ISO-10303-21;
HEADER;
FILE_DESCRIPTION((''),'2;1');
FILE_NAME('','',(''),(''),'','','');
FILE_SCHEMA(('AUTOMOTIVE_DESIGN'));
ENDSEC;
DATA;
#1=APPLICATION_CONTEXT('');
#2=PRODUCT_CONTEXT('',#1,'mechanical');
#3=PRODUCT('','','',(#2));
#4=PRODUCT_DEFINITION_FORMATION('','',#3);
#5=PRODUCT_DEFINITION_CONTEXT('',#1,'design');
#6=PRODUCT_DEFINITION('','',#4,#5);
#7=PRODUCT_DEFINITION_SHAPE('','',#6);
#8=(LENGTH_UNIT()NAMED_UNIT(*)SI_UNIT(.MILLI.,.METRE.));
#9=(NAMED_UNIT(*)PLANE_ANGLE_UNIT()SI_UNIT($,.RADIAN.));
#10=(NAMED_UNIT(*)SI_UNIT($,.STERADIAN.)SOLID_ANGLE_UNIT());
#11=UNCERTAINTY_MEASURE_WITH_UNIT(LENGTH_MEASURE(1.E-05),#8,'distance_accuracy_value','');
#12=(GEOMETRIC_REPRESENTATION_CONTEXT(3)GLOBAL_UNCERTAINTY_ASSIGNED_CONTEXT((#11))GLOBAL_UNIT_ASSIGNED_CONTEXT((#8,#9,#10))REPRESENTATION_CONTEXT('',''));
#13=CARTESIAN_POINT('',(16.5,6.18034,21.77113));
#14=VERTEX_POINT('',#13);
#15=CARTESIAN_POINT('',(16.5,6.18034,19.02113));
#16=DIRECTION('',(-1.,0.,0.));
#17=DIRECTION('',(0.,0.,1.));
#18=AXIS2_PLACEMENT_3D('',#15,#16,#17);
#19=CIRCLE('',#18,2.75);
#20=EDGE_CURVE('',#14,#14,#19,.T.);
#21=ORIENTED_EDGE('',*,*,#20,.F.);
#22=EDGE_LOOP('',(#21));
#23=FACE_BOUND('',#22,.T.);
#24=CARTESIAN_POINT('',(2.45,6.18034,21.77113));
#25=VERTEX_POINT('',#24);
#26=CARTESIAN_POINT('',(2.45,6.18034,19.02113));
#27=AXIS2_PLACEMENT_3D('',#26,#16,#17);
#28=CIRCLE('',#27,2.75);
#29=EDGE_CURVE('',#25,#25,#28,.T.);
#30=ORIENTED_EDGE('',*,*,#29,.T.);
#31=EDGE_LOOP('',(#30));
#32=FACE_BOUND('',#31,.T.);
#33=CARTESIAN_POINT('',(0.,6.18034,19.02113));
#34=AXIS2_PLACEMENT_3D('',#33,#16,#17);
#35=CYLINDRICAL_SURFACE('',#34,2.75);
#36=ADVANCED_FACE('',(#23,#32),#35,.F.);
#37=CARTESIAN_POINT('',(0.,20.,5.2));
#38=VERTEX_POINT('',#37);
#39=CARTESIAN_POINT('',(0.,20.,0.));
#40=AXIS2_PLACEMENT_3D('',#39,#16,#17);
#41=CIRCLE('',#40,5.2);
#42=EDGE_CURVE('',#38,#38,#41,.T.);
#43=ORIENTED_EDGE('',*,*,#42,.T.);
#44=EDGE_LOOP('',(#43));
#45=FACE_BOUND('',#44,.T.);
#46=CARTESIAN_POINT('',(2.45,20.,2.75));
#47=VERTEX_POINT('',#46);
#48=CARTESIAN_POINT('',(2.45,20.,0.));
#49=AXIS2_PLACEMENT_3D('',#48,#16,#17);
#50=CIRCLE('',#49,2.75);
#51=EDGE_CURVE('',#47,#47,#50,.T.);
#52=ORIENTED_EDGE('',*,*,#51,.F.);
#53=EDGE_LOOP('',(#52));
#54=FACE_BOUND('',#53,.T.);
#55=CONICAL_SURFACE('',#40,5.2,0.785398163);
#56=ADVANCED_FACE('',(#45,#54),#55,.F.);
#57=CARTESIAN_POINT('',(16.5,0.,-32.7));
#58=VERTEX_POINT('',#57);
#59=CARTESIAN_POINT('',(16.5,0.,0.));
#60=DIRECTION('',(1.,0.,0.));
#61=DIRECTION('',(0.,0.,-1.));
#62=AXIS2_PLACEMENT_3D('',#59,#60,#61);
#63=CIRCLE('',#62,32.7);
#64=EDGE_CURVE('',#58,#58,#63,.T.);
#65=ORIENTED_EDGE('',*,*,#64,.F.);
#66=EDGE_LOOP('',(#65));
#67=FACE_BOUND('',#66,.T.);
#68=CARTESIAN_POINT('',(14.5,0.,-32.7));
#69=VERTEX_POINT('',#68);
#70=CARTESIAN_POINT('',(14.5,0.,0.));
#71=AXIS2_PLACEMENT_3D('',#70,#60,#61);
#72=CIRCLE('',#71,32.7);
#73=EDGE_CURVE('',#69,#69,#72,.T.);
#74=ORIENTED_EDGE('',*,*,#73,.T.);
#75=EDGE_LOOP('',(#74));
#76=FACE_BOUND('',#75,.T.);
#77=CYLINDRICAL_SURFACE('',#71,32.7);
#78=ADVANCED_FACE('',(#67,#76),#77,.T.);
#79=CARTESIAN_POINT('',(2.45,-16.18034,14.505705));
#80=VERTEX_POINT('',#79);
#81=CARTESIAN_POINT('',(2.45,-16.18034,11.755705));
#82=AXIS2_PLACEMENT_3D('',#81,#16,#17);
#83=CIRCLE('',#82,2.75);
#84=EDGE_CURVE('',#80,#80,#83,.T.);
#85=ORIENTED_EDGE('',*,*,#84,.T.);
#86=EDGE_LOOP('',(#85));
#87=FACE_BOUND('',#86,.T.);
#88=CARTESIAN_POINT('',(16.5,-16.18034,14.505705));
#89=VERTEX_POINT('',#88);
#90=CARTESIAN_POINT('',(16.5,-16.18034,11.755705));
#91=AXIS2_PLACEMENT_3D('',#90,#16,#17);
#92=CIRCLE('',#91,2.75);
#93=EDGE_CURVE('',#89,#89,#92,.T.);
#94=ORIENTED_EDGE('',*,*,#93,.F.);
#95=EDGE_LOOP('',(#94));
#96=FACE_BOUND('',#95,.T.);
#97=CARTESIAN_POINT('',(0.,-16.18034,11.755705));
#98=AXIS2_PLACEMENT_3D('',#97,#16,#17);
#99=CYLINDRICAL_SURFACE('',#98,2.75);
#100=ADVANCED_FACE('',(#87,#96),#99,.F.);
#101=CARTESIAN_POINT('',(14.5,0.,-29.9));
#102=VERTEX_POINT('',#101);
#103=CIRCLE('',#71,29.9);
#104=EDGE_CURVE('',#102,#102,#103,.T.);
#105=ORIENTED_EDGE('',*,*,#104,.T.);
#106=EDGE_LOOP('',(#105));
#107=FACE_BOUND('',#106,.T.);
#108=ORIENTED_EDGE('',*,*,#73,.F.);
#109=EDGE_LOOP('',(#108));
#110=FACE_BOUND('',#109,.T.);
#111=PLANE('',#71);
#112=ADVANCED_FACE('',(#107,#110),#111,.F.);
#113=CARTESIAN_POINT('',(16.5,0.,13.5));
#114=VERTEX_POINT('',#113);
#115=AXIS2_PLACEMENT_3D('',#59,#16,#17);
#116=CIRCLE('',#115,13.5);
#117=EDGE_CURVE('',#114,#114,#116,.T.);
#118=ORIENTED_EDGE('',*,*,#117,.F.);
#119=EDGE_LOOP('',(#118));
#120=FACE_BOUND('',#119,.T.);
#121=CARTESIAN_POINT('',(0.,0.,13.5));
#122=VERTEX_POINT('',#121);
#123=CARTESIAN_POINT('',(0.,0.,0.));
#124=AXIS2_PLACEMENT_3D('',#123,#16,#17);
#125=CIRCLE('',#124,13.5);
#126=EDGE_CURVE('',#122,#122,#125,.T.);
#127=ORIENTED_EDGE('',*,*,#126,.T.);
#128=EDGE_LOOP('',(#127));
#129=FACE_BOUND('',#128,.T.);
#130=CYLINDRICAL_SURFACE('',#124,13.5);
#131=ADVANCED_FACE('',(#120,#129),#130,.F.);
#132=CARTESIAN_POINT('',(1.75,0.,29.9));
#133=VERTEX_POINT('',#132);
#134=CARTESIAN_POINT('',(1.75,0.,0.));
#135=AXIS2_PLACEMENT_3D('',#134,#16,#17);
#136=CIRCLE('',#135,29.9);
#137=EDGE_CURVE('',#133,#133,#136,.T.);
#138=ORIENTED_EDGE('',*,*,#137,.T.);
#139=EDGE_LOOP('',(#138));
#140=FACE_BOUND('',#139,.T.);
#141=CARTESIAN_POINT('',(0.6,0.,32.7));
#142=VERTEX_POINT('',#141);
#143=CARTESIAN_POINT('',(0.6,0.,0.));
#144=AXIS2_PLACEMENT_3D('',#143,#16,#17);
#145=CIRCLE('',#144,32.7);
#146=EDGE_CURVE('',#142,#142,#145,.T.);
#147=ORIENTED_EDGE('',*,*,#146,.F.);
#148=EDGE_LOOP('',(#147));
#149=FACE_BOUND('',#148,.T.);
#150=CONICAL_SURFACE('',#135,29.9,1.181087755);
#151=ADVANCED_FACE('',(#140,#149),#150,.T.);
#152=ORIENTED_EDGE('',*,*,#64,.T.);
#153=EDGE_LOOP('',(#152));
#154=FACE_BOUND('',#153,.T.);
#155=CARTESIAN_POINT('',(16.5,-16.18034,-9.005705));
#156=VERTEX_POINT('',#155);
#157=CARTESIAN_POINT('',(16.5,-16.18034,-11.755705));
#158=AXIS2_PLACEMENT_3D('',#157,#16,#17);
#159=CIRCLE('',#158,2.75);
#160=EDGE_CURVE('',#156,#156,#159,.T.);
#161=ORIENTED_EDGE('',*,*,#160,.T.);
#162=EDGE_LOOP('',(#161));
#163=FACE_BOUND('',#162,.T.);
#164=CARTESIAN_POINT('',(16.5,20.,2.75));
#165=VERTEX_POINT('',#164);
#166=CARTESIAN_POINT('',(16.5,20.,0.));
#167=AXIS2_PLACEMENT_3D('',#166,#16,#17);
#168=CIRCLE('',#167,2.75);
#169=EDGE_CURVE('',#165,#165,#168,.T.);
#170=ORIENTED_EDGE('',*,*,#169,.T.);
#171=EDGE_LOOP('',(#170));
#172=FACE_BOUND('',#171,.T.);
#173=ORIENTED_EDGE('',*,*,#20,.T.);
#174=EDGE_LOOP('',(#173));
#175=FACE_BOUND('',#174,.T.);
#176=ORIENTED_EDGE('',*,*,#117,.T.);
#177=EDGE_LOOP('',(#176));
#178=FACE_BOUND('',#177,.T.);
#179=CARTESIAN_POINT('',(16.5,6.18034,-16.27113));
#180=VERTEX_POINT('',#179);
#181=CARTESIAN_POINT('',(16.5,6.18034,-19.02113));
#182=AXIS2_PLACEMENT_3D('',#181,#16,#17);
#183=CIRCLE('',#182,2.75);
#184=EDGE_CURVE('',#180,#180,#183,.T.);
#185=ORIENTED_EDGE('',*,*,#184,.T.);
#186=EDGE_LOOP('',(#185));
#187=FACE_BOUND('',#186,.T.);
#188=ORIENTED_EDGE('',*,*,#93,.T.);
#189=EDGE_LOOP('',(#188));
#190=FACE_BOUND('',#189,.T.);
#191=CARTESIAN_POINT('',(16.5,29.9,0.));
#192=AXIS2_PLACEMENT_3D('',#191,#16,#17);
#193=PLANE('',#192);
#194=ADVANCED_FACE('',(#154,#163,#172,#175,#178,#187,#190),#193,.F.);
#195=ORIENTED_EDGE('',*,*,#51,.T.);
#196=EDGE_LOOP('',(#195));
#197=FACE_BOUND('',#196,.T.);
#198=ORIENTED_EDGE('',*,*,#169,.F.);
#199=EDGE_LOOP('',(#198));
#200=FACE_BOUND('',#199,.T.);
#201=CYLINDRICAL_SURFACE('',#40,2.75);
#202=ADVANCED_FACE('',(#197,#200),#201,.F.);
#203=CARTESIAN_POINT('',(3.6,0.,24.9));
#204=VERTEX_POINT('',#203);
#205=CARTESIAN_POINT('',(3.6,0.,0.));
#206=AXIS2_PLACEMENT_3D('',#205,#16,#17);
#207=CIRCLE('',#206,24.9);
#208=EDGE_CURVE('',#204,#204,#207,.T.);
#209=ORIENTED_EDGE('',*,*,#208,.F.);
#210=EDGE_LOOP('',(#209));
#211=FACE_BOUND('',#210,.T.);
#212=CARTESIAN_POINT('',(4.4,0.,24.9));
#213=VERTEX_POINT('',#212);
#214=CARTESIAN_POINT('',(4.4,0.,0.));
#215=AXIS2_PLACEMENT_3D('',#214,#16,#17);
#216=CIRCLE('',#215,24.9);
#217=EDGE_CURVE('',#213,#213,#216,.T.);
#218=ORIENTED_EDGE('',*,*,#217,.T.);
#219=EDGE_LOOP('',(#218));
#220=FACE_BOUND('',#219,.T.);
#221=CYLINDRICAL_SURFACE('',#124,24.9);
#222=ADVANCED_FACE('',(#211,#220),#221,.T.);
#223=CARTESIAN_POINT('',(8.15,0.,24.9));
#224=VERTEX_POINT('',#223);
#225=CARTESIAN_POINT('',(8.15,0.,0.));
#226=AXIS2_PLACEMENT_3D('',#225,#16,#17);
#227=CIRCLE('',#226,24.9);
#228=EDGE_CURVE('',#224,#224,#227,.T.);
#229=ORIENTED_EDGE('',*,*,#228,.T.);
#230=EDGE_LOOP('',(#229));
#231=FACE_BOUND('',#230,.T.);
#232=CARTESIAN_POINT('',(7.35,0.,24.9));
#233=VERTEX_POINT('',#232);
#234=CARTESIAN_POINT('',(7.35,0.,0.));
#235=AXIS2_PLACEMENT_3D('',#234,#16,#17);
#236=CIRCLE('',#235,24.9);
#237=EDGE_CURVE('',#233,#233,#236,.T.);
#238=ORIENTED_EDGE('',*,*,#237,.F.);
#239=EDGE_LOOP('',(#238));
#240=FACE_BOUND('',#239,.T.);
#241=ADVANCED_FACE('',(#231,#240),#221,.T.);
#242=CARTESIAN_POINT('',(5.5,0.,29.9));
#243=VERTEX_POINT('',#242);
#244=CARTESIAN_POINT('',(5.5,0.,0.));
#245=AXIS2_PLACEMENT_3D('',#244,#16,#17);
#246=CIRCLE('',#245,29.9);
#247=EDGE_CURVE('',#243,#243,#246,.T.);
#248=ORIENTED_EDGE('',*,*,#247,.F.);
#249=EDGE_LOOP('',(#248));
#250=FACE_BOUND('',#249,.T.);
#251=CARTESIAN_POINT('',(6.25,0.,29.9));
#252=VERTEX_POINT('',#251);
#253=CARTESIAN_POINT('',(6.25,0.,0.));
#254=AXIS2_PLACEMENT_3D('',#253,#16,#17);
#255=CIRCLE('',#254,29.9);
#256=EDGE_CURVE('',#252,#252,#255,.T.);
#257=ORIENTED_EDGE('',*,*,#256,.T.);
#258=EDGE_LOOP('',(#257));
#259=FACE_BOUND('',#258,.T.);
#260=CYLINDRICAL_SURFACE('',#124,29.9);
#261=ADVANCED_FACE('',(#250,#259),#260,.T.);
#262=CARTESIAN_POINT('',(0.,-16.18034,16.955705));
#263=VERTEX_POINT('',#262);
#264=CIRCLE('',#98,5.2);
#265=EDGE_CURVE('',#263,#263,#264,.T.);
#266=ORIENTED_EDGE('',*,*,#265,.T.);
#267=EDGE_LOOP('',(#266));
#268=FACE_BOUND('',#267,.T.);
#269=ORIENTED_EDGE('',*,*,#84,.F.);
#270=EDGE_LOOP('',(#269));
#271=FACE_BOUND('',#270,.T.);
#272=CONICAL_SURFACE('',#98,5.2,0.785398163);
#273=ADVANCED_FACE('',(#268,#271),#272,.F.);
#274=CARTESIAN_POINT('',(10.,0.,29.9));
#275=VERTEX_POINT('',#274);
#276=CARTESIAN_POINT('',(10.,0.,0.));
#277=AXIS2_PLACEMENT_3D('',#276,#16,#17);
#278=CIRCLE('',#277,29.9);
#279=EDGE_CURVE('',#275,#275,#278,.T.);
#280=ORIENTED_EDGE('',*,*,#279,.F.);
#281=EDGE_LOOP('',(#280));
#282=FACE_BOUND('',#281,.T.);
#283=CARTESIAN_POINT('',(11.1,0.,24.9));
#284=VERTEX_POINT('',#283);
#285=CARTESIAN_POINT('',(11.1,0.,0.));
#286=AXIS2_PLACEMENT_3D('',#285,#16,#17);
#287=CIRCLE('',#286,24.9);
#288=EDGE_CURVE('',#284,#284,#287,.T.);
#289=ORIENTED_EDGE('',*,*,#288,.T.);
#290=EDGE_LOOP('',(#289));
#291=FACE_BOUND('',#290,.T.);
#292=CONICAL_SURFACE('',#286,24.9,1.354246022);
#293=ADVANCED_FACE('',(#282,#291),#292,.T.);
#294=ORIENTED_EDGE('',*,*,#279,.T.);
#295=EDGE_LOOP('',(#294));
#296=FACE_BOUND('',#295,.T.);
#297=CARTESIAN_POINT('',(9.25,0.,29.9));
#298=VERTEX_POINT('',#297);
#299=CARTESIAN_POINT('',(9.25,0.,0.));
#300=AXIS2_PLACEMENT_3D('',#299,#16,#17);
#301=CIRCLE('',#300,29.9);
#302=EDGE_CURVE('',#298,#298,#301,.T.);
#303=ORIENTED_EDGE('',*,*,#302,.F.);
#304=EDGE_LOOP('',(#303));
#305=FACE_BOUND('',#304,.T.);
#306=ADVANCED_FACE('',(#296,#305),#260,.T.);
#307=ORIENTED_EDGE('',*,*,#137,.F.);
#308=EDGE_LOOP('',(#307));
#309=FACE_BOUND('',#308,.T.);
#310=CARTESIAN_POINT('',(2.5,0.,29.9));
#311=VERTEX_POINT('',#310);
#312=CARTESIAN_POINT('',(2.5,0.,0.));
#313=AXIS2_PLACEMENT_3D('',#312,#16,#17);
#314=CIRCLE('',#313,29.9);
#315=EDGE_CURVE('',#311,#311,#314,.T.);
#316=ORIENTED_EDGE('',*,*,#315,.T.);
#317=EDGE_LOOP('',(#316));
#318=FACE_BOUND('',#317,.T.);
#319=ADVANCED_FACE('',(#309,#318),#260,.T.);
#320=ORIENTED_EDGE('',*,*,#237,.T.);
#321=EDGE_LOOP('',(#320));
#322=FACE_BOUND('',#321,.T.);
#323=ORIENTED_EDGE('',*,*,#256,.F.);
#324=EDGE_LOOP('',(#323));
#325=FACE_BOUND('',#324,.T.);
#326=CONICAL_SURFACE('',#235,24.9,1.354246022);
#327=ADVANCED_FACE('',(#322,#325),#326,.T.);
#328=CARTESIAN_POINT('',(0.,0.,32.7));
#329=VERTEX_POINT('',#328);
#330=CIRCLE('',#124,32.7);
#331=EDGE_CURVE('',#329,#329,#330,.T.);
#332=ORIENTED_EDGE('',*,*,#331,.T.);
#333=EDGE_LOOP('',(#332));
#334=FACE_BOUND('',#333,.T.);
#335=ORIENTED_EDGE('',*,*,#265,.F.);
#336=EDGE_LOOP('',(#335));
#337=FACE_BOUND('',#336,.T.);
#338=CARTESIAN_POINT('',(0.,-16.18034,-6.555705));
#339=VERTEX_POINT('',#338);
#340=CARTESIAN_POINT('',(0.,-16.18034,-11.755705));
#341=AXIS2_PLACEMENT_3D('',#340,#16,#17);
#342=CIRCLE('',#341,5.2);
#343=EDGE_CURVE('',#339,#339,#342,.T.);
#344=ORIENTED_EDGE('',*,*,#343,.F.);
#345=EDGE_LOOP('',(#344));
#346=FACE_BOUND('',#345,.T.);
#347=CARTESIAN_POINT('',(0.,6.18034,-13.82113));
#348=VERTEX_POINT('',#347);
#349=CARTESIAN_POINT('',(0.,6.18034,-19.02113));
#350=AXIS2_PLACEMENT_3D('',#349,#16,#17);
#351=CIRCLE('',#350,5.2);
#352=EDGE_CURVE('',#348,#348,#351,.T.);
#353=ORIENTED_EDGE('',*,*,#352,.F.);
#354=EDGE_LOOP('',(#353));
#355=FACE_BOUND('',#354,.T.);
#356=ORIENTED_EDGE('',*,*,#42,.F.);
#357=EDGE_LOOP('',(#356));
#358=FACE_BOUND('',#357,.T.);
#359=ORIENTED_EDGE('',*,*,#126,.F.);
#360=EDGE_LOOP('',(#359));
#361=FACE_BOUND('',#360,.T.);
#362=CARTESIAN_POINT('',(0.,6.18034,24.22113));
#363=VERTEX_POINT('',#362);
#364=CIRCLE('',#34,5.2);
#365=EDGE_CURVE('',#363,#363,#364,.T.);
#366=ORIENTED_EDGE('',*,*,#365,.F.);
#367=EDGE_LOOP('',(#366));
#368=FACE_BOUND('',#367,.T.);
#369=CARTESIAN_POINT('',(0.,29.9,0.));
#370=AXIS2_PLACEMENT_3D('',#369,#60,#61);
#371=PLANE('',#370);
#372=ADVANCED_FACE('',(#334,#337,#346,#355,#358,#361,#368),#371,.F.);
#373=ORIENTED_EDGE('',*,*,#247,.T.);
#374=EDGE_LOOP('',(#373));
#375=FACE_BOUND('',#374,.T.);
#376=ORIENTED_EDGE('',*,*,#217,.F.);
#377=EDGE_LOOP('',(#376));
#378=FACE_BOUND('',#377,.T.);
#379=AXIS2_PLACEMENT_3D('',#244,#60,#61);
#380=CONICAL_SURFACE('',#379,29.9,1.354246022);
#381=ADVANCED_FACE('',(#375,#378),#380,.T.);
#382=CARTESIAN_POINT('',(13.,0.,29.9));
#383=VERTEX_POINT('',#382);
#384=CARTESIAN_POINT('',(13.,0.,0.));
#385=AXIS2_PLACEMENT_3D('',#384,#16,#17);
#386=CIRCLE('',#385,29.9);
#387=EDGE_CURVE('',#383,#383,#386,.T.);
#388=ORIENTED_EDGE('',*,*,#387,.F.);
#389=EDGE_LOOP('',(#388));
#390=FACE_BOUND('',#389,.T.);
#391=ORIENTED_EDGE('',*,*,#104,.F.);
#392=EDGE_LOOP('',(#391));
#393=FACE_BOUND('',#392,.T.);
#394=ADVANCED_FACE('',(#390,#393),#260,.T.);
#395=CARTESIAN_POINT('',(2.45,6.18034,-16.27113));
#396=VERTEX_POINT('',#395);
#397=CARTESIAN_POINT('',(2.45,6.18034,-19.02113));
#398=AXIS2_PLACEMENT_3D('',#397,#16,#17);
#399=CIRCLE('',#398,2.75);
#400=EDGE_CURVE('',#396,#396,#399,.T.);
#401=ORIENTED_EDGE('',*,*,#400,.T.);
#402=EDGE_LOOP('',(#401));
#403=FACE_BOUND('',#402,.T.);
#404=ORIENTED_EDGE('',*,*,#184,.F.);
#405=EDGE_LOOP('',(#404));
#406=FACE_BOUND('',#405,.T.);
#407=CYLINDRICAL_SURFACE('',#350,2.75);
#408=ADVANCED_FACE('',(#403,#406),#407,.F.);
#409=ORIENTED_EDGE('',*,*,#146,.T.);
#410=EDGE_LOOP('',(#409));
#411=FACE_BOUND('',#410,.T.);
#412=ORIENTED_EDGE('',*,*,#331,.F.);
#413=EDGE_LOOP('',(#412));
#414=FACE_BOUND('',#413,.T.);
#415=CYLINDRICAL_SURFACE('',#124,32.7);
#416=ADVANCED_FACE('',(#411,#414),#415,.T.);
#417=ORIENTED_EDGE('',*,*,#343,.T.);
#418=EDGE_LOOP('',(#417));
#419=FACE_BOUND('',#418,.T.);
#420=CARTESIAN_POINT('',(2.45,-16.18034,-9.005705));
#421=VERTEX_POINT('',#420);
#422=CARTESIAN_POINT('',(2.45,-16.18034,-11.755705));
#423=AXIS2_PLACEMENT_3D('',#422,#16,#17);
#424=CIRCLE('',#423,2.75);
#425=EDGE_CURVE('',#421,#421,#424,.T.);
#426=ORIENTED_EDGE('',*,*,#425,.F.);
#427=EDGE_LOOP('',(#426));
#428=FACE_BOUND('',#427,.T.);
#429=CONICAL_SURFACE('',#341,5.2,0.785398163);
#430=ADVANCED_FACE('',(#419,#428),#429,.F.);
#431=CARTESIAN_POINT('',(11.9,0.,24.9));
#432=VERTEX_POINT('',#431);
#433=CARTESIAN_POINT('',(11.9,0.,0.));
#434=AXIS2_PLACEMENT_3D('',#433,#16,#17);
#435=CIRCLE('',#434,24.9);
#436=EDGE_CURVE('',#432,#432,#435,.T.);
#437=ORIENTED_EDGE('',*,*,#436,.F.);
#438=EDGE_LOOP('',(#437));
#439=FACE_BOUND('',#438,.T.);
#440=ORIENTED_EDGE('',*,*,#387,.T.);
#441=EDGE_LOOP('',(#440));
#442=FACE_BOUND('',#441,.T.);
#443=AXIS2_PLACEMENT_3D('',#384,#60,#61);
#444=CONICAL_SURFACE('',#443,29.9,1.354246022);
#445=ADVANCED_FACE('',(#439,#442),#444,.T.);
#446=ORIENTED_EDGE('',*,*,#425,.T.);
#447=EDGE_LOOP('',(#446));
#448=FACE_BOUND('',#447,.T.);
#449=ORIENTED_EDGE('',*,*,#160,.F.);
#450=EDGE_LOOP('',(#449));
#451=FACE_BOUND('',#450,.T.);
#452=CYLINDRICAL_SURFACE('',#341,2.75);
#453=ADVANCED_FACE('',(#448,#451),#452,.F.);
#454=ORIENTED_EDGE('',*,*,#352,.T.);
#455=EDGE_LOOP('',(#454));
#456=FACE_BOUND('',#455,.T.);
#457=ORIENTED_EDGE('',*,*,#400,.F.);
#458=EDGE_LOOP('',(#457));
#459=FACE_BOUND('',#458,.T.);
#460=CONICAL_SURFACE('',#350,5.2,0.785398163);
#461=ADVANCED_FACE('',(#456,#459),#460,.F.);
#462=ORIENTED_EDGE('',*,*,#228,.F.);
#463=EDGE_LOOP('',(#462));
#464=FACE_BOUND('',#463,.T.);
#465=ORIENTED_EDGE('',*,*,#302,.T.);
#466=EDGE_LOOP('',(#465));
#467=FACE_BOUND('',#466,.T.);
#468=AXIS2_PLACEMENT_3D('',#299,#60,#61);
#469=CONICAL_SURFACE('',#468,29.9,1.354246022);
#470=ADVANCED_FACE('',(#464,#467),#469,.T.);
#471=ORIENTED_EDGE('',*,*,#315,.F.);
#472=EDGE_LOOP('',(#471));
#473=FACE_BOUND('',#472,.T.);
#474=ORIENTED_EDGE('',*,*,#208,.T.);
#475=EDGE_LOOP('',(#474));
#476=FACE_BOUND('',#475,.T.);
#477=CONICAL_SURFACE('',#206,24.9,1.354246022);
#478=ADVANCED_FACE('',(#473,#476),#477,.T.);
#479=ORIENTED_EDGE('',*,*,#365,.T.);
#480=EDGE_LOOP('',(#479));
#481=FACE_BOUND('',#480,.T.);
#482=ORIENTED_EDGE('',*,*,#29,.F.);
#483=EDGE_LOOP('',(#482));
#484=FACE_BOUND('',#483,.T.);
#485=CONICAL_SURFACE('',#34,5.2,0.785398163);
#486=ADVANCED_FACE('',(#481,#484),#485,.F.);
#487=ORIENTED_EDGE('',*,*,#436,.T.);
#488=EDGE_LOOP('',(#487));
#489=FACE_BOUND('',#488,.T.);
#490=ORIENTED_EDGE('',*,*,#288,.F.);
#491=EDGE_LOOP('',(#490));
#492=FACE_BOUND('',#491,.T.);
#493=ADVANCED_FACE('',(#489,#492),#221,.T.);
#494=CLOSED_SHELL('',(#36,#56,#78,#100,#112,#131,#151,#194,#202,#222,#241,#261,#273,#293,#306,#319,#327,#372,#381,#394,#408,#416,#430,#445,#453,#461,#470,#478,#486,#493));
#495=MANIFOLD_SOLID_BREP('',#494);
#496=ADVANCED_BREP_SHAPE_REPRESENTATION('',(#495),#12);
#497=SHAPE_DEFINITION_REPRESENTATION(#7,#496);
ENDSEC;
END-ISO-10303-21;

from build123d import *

# Parameters (mm, degrees)
ESCAREADO_PARA_PARAFUSO_COM_CABE_A_ESCAR_D           = 5.5
ESCAREADO_PARA_PARAFUSO_COM_CABE_A_ESCAR_CSINK_D     = 10.4
ESCAREADO_PARA_PARAFUSO_COM_CABE_A_ESCAR_CSINK_ANGLE = 90
PADR_OCIRCULAR1_COUNT                                = 5
ESBO_O5_R                                            = 32.7
ESBO_O5_R_2                                          = 13.5
ESBO_O5_R_3                                          = 2.75
RESSALTO_EXTRUS_O1_DEPTH                             = 2


with BuildPart() as part:
    # Esboço1 → Revolução1 (revolve)
    with BuildSketch(Plane.XY, mode=Mode.PRIVATE) as revolu_o1_sk:
        Polygon((0, 13.5), (16.5, 13.5), (16.5, 29.9), (13, 29.9), (11.9, 24.9), (11.1, 24.9), (10, 29.9), (9.25, 29.9), (8.15, 24.9), (7.35, 24.9), (6.25, 29.9), (5.5, 29.9), (4.4, 24.9), (3.6, 24.9), (2.5, 29.9), (0, 29.9), align=None)
    revolve(revolu_o1_sk.sketch.rotate(Axis((0, 0, 0), (1, 0, 0)), 90), axis=Axis((0, 0, 0), (1, 0, 0)))

    # Escareado para parafuso com cabeça escareada elevada de M51 (through all)
    with Locations(Plane.ZY):
        with Locations((0, 20)):
            escareado_para_parafuso_com_cabe_a_escar = CounterSinkHole(ESCAREADO_PARA_PARAFUSO_COM_CABE_A_ESCAR_D / 2, ESCAREADO_PARA_PARAFUSO_COM_CABE_A_ESCAR_CSINK_D / 2, counter_sink_angle=ESCAREADO_PARA_PARAFUSO_COM_CABE_A_ESCAR_CSINK_ANGLE)

    # PadrãoCircular1: Escareado para parafuso com cabeça escareada elevada de M51 ×5 about axis
    padr_ocircular1_axis = Axis((0, 0, 0), (1, 0, 0))
    for i in range(1, PADR_OCIRCULAR1_COUNT):
        add(escareado_para_parafuso_com_cabe_a_escar.rotate(padr_ocircular1_axis, i * 360 / PADR_OCIRCULAR1_COUNT), mode=Mode.SUBTRACT)

    # Esboço4 → Revolução2 (revolve)
    with BuildSketch(Plane.XY, mode=Mode.PRIVATE) as revolu_o2_sk:
        Polygon((0, 29.9), (0, 32.7), (0.6, 32.7), (1.75, 29.9), align=None)
    revolve(revolu_o2_sk.sketch.rotate(Axis((0, 0, 0), (1, 0, 0)), 90), axis=Axis((0, 0, 0), (1, 0, 0)))

    # Esboço5 → Ressalto-extrusão1 (add)
    with BuildSketch(Plane(origin=(16.5, 0, 0), x_dir=(0, 0, -1), z_dir=(1, 0, 0))):
        with Locations(Location((0, 0, 0), (0, 0, 180))):
            Circle(ESBO_O5_R)
        with Locations(Location((0, 0, 0), (0, 0, 180))):
            Circle(ESBO_O5_R_2, mode=Mode.SUBTRACT)
        with Locations(Location((-11.755705046, -16.180339887, 0), (0, 0, 180))):
            Circle(ESBO_O5_R_3, mode=Mode.SUBTRACT)
        with Locations(Location((11.755705046, -16.180339887, 0), (0, 0, 180))):
            Circle(ESBO_O5_R_3, mode=Mode.SUBTRACT)
        with Locations(Location((19.021130326, 6.180339887, 0), (0, 0, 180))):
            Circle(ESBO_O5_R_3, mode=Mode.SUBTRACT)
        with Locations(Location((0, 20, 0), (0, 0, 180))):
            Circle(ESBO_O5_R_3, mode=Mode.SUBTRACT)
        with Locations(Location((-19.021130326, 6.180339887, 0), (0, 0, 180))):
            Circle(ESBO_O5_R_3, mode=Mode.SUBTRACT)
    extrude(amount=-RESSALTO_EXTRUS_O1_DEPTH)


solid = part.part
